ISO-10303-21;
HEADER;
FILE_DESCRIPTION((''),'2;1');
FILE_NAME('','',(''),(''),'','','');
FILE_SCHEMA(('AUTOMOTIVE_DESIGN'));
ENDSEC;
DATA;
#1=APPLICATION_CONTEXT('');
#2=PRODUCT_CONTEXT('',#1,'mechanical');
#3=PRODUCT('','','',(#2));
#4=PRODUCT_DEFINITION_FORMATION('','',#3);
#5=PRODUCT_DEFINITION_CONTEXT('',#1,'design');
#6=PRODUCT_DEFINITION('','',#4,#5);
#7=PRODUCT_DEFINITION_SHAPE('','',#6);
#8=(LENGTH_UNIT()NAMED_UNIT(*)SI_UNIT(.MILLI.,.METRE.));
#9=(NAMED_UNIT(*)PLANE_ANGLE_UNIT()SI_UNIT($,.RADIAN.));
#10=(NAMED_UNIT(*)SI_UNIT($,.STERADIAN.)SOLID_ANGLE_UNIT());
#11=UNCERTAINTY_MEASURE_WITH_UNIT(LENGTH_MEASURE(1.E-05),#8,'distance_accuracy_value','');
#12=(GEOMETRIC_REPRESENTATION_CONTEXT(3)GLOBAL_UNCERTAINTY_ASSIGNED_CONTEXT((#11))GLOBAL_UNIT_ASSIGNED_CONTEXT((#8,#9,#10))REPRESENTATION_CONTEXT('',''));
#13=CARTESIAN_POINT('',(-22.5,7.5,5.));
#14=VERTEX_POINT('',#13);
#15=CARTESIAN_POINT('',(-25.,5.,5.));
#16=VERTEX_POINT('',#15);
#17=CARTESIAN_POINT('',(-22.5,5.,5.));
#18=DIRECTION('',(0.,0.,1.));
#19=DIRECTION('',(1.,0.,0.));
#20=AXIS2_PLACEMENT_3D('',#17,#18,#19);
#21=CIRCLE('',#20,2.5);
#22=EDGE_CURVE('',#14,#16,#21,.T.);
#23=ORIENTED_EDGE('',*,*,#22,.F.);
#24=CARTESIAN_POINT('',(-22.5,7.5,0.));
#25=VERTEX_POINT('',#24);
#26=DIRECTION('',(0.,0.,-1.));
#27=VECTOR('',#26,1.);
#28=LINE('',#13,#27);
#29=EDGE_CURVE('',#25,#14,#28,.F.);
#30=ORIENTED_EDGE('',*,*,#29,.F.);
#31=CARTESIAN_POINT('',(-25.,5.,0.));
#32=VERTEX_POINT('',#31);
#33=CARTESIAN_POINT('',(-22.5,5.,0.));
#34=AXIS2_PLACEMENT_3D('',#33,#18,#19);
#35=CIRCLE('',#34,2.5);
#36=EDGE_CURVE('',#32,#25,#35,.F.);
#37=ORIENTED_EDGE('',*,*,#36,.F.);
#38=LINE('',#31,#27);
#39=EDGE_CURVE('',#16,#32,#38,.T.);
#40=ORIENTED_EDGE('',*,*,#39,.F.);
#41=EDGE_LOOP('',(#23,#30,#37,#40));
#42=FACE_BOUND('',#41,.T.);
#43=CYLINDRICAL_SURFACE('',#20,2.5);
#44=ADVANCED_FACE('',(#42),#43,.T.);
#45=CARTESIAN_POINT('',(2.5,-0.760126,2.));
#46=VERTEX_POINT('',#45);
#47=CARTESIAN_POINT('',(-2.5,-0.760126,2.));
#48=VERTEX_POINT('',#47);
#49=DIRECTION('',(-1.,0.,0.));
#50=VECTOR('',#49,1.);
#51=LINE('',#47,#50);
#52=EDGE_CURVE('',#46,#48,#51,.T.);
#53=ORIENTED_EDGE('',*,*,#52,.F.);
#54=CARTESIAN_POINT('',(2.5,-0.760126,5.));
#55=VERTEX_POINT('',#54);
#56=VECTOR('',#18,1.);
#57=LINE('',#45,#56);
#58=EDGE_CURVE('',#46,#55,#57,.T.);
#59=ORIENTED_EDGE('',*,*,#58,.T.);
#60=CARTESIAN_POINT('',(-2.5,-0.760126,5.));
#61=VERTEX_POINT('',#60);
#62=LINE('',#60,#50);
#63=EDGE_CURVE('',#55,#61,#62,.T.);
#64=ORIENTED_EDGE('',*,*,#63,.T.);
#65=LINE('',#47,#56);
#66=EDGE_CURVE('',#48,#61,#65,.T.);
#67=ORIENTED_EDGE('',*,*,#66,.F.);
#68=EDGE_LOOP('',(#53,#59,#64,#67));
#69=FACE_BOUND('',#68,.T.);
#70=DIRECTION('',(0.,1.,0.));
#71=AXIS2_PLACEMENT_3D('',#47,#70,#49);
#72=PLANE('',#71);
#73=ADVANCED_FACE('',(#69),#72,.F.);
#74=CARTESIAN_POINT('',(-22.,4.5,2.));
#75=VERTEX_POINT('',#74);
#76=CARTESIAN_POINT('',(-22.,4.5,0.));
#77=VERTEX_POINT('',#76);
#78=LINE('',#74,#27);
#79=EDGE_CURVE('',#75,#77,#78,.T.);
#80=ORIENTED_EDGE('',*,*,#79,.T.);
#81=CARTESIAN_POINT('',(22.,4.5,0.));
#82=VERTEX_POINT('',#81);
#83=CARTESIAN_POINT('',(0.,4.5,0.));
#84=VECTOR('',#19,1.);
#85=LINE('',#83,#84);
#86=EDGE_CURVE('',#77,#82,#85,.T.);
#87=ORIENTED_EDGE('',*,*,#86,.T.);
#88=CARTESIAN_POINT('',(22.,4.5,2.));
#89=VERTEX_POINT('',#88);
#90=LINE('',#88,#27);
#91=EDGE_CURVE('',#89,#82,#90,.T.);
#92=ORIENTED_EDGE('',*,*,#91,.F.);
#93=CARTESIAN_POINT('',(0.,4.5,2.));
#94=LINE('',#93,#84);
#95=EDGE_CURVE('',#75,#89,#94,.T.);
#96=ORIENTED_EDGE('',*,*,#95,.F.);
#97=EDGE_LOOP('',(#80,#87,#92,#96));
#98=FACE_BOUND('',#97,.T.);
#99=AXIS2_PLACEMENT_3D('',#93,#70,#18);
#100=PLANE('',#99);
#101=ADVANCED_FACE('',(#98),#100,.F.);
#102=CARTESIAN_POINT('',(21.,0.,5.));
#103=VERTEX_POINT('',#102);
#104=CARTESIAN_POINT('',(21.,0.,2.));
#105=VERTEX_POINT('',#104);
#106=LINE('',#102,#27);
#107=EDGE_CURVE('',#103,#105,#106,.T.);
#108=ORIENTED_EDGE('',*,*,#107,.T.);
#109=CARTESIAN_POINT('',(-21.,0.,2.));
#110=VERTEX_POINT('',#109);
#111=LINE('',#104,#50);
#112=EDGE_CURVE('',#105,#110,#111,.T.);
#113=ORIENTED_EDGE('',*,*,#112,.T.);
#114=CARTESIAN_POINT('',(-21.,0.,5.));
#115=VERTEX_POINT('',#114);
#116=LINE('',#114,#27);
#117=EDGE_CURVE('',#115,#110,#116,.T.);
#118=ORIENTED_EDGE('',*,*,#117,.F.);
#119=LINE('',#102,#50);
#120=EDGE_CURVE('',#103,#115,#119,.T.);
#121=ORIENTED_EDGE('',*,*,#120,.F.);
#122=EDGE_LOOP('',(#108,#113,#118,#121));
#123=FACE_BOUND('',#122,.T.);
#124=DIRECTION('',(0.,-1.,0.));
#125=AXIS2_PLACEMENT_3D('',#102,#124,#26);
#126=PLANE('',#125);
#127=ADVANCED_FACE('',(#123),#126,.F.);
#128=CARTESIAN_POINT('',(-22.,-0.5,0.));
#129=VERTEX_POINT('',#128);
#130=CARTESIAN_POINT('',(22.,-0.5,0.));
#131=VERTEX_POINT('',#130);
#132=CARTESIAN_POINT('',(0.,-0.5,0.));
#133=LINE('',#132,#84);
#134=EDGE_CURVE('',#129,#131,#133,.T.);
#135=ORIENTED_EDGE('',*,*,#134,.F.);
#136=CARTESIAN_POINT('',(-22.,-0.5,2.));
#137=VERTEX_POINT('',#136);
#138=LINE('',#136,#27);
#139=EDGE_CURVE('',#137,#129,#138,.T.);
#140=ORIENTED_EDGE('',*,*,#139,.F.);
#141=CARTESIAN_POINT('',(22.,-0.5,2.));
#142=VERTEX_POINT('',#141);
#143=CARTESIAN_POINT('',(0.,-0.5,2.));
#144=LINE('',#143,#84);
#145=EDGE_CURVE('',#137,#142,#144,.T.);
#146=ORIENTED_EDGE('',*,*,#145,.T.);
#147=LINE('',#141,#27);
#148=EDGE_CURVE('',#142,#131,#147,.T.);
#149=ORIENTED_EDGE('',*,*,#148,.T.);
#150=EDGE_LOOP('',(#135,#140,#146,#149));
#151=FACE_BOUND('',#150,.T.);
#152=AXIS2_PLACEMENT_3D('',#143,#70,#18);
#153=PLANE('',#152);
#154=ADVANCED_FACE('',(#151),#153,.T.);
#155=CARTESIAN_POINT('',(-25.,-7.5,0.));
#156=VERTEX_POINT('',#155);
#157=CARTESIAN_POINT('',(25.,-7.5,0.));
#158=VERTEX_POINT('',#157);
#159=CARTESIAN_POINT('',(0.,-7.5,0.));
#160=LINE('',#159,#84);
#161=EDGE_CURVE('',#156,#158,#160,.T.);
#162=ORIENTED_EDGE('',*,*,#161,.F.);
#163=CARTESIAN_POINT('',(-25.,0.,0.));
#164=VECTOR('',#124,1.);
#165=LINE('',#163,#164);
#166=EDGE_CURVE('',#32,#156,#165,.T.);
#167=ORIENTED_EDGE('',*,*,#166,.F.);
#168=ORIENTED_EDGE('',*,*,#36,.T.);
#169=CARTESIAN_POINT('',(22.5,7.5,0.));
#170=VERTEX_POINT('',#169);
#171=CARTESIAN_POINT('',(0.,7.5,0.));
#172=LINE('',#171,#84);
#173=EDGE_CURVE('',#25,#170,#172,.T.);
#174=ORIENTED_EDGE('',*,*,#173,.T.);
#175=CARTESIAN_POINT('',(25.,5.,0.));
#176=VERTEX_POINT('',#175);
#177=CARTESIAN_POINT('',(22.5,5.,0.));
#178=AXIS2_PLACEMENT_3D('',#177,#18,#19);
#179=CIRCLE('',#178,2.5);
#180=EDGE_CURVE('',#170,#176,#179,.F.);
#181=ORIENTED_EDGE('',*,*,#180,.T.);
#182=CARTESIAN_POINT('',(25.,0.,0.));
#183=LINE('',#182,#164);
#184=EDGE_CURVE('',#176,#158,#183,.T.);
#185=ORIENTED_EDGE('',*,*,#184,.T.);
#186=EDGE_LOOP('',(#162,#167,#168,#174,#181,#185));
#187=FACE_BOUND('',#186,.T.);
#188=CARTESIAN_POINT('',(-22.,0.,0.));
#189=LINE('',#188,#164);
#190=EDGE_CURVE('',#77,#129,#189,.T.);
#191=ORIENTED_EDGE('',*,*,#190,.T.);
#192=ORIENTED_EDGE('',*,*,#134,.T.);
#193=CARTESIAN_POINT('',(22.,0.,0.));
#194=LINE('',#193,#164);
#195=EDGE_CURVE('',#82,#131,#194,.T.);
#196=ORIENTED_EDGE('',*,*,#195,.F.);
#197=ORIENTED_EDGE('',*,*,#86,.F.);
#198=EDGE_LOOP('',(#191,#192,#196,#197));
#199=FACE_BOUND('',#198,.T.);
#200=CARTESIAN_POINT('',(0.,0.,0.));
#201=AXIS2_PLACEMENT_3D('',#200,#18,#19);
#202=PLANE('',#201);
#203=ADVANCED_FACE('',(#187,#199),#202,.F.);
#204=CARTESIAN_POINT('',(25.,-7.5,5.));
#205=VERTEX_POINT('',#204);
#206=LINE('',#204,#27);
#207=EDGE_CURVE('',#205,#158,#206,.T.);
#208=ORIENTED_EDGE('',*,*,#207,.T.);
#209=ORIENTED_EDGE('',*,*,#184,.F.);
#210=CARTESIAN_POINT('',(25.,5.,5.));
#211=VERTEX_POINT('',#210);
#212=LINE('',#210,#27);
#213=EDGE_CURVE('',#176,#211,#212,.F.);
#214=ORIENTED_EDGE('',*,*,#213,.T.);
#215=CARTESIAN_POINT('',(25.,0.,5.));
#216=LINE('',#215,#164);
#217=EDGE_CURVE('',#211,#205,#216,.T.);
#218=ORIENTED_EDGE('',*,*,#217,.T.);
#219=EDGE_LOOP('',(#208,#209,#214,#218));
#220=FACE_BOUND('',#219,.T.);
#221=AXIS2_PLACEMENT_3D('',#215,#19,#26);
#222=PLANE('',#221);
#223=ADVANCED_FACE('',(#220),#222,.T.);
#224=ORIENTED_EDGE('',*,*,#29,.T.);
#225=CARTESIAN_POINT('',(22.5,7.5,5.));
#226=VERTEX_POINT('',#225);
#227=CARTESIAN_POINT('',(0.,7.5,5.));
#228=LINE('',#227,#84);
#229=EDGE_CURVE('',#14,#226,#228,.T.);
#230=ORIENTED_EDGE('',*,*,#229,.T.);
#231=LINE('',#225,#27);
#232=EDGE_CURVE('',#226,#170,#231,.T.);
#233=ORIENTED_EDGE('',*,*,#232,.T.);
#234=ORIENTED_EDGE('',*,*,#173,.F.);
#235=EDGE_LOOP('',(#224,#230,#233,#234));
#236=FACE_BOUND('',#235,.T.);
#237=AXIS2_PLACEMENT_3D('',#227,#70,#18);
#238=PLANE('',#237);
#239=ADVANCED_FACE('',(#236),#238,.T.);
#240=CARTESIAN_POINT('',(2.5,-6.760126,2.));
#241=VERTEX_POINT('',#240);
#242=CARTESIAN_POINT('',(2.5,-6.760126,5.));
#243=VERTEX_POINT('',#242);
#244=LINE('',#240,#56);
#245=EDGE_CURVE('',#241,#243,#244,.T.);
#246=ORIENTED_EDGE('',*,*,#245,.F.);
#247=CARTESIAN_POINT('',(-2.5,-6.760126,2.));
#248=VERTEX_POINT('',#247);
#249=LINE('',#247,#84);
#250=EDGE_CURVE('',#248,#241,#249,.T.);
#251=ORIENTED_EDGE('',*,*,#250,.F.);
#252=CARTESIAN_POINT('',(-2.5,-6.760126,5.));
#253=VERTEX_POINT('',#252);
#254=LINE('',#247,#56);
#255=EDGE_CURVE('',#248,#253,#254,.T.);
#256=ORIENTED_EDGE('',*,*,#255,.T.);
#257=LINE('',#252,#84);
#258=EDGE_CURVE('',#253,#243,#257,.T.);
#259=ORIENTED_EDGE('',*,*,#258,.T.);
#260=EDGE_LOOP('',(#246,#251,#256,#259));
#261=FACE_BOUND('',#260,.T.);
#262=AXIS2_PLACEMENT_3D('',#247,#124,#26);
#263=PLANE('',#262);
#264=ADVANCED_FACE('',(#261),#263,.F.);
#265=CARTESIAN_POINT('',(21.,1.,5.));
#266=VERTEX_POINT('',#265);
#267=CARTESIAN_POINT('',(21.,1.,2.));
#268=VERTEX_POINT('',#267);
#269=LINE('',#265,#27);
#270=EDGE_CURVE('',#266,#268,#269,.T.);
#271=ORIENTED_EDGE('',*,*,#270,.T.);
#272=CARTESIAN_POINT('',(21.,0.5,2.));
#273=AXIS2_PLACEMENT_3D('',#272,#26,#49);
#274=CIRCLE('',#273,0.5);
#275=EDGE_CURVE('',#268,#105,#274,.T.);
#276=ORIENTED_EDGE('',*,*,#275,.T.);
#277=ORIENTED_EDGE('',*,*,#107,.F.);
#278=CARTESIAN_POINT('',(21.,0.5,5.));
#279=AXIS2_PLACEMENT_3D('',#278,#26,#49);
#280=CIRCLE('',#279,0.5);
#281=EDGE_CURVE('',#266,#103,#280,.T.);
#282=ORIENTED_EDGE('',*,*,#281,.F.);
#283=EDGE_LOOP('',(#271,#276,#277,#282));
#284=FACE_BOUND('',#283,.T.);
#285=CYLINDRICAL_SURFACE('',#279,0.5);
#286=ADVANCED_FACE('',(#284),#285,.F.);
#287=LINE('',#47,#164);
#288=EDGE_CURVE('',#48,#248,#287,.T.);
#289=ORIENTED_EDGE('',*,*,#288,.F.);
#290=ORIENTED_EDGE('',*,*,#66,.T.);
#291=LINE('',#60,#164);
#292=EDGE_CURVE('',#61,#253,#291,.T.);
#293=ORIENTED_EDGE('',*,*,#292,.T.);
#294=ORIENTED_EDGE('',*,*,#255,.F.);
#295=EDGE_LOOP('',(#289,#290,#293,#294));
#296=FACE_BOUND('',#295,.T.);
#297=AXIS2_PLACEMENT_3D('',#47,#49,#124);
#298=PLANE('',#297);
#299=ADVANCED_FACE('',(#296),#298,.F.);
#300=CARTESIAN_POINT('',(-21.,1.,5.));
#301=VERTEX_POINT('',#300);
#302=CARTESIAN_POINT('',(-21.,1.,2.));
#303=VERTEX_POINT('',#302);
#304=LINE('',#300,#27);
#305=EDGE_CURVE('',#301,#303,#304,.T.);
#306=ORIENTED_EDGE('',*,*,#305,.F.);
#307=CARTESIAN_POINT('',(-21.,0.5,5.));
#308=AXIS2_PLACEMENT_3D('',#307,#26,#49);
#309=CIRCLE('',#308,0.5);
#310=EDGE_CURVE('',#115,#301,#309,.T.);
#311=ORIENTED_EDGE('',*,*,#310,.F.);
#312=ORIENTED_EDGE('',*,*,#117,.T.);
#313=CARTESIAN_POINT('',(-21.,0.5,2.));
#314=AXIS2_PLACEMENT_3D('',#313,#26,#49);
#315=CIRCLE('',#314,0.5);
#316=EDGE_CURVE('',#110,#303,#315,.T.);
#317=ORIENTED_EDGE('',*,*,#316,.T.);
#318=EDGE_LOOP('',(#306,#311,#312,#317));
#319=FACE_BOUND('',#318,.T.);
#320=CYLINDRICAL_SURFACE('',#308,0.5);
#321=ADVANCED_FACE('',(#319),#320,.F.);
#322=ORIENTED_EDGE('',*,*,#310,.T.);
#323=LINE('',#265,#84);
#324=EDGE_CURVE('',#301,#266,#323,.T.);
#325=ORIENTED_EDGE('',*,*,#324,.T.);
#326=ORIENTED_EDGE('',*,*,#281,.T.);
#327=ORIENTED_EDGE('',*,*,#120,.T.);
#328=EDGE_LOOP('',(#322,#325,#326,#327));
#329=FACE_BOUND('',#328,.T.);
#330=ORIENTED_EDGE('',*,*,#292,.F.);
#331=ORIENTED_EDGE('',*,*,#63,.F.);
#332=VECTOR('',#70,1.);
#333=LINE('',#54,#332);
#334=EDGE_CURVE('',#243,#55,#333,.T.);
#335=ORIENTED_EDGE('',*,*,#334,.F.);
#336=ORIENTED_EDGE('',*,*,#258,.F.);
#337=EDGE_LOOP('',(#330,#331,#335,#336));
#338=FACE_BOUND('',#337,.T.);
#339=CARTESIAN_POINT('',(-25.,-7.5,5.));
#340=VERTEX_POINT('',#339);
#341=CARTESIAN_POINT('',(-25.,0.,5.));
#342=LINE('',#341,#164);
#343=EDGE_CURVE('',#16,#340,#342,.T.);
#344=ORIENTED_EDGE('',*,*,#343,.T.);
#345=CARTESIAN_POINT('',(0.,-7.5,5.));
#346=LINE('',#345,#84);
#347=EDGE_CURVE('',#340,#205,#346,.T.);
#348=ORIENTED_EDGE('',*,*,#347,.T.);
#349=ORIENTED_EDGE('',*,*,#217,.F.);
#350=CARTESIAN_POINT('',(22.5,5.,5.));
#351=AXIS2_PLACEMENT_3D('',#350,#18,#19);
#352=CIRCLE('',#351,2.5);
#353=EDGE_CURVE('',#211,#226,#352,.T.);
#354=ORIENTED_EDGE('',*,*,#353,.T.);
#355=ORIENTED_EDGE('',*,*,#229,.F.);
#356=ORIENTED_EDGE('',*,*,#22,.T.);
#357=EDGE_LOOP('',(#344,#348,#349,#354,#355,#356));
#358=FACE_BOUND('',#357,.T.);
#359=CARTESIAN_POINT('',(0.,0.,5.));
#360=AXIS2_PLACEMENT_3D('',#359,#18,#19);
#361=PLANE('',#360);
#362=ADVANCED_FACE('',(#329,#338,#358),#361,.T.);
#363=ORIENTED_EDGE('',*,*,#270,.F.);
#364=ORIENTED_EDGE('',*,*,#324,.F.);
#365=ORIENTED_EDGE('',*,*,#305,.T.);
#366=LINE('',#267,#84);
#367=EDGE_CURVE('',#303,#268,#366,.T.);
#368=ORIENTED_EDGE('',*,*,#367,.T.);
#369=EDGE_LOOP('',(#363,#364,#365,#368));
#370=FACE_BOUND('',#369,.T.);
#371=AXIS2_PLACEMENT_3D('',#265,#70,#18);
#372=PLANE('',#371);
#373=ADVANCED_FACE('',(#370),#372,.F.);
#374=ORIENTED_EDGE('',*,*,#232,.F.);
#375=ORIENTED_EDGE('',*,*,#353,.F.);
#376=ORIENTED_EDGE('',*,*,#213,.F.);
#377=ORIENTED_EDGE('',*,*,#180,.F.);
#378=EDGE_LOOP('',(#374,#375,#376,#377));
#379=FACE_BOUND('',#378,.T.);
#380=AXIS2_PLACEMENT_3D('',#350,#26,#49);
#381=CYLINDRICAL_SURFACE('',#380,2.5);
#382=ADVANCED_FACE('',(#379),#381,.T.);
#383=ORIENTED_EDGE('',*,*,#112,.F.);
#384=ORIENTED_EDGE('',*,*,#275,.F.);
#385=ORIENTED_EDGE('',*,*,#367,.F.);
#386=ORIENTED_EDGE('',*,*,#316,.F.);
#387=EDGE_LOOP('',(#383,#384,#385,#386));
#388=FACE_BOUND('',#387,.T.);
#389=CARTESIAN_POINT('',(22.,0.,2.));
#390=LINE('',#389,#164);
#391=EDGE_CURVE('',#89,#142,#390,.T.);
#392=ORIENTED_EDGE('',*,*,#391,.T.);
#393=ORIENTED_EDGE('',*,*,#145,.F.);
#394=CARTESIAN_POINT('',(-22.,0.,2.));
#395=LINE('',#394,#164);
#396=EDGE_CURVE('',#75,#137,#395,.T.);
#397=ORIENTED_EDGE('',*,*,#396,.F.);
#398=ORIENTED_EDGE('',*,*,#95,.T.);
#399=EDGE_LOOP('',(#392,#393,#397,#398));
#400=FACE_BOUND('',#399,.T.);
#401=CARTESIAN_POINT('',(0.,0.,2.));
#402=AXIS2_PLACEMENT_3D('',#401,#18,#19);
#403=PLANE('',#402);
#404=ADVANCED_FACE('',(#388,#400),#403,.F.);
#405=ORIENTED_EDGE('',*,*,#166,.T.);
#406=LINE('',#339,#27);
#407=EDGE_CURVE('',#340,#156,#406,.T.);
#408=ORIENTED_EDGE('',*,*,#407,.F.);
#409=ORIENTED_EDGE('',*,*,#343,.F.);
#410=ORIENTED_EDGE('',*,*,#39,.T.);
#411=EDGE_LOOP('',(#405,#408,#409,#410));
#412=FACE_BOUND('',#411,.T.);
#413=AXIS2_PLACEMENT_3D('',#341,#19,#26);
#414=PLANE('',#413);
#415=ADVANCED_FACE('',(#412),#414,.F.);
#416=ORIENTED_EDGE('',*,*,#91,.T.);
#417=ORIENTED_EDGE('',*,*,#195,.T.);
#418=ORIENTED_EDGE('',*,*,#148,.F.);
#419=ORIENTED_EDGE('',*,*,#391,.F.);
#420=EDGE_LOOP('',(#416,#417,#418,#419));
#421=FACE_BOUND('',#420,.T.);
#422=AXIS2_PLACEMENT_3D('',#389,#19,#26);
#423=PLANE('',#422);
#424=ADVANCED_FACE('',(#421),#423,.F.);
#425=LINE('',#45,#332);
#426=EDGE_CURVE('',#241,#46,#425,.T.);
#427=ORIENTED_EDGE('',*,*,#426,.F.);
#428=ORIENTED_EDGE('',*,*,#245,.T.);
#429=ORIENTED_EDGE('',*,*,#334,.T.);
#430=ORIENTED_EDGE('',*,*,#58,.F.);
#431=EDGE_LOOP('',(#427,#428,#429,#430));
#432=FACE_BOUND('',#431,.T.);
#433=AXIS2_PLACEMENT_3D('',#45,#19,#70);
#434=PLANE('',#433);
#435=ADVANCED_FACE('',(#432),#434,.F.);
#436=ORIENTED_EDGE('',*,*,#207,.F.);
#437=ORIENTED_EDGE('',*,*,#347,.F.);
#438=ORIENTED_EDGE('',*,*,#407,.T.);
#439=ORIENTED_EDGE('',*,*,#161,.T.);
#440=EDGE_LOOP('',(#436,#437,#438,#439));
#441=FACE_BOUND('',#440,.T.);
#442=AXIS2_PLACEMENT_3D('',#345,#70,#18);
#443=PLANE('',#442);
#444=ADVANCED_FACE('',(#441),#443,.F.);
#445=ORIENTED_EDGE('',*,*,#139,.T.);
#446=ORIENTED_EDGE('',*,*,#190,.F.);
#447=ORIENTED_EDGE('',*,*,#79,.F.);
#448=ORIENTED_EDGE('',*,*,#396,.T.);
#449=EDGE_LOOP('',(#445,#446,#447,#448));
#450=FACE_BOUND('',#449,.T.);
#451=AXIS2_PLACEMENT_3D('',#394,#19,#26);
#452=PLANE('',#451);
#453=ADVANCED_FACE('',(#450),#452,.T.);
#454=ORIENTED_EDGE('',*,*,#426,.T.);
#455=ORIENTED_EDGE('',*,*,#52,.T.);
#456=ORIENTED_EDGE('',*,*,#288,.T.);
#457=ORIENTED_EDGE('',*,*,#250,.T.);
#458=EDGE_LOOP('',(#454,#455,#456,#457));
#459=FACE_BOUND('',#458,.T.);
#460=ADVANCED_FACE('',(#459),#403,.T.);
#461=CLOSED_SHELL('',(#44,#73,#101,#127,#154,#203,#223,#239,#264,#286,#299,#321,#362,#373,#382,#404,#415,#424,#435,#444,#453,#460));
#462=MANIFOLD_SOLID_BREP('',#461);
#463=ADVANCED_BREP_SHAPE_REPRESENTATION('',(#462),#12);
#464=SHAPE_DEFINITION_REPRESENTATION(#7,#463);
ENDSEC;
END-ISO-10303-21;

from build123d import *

# Parameters (mm, degrees)
CROQUIS1_W              = 50
CROQUIS1_H              = 15
SALIENTE_EXTRUIR1_DEPTH = 5
CROQUIS1_4_W            = 44
CROQUIS1_4_H            = 5
CORTAR_EXTRUIR1_DEPTH   = 2
REDONDEO1_R             = 2.5
CORTAR_EXTRUIR2_DEPTH   = 27.272609311
CROQUIS3_W              = 5
CROQUIS3_H              = 6
CORTAR_EXTRUIR3_DEPTH   = 3


with BuildPart() as part:
    # Croquis1 → Saliente-Extruir1 (new body)
    with BuildSketch(Plane.XY):
        Rectangle(CROQUIS1_W, CROQUIS1_H)
    extrude(amount=SALIENTE_EXTRUIR1_DEPTH)

    # Croquis1<4> → Cortar-Extruir1 (cut)
    with BuildSketch(Plane.XY):
        with Locations((0, 2)):
            Rectangle(CROQUIS1_4_W, CROQUIS1_4_H)
    extrude(amount=CORTAR_EXTRUIR1_DEPTH, mode=Mode.SUBTRACT)

    # Redondeo1
    redondeo1_edges = [part.edges().sort_by_distance(p)[0] for p in [
        (-25, 7.5, 2.5),
        (25, 7.5, 2.5),
    ]]
    fillet(redondeo1_edges, radius=REDONDEO1_R)

    # Croquis2 → Cortar-Extruir2 (cut, through all)
    with BuildSketch(Plane(origin=(0, 0, 2), x_dir=(-1, 0, 0), z_dir=(0, 0, -1))):
        with BuildLine():
            Line((-21, 1), (21, 1))
            ThreePointArc((21, 1), (21.5, 0.5), (21, 0))
            Line((21, 0), (-21, 0))
            ThreePointArc((-21, 0), (-21.5, 0.5), (-21, 1))
        make_face()
    extrude(amount=-CORTAR_EXTRUIR2_DEPTH, mode=Mode.SUBTRACT)

    # Croquis3 → Cortar-Extruir3 (cut)
    with BuildSketch(Plane.XY.offset(5)):
        with Locations((0, -3.760126058)):
            Rectangle(CROQUIS3_W, CROQUIS3_H)
    extrude(amount=-CORTAR_EXTRUIR3_DEPTH, mode=Mode.SUBTRACT)


solid = part.part
